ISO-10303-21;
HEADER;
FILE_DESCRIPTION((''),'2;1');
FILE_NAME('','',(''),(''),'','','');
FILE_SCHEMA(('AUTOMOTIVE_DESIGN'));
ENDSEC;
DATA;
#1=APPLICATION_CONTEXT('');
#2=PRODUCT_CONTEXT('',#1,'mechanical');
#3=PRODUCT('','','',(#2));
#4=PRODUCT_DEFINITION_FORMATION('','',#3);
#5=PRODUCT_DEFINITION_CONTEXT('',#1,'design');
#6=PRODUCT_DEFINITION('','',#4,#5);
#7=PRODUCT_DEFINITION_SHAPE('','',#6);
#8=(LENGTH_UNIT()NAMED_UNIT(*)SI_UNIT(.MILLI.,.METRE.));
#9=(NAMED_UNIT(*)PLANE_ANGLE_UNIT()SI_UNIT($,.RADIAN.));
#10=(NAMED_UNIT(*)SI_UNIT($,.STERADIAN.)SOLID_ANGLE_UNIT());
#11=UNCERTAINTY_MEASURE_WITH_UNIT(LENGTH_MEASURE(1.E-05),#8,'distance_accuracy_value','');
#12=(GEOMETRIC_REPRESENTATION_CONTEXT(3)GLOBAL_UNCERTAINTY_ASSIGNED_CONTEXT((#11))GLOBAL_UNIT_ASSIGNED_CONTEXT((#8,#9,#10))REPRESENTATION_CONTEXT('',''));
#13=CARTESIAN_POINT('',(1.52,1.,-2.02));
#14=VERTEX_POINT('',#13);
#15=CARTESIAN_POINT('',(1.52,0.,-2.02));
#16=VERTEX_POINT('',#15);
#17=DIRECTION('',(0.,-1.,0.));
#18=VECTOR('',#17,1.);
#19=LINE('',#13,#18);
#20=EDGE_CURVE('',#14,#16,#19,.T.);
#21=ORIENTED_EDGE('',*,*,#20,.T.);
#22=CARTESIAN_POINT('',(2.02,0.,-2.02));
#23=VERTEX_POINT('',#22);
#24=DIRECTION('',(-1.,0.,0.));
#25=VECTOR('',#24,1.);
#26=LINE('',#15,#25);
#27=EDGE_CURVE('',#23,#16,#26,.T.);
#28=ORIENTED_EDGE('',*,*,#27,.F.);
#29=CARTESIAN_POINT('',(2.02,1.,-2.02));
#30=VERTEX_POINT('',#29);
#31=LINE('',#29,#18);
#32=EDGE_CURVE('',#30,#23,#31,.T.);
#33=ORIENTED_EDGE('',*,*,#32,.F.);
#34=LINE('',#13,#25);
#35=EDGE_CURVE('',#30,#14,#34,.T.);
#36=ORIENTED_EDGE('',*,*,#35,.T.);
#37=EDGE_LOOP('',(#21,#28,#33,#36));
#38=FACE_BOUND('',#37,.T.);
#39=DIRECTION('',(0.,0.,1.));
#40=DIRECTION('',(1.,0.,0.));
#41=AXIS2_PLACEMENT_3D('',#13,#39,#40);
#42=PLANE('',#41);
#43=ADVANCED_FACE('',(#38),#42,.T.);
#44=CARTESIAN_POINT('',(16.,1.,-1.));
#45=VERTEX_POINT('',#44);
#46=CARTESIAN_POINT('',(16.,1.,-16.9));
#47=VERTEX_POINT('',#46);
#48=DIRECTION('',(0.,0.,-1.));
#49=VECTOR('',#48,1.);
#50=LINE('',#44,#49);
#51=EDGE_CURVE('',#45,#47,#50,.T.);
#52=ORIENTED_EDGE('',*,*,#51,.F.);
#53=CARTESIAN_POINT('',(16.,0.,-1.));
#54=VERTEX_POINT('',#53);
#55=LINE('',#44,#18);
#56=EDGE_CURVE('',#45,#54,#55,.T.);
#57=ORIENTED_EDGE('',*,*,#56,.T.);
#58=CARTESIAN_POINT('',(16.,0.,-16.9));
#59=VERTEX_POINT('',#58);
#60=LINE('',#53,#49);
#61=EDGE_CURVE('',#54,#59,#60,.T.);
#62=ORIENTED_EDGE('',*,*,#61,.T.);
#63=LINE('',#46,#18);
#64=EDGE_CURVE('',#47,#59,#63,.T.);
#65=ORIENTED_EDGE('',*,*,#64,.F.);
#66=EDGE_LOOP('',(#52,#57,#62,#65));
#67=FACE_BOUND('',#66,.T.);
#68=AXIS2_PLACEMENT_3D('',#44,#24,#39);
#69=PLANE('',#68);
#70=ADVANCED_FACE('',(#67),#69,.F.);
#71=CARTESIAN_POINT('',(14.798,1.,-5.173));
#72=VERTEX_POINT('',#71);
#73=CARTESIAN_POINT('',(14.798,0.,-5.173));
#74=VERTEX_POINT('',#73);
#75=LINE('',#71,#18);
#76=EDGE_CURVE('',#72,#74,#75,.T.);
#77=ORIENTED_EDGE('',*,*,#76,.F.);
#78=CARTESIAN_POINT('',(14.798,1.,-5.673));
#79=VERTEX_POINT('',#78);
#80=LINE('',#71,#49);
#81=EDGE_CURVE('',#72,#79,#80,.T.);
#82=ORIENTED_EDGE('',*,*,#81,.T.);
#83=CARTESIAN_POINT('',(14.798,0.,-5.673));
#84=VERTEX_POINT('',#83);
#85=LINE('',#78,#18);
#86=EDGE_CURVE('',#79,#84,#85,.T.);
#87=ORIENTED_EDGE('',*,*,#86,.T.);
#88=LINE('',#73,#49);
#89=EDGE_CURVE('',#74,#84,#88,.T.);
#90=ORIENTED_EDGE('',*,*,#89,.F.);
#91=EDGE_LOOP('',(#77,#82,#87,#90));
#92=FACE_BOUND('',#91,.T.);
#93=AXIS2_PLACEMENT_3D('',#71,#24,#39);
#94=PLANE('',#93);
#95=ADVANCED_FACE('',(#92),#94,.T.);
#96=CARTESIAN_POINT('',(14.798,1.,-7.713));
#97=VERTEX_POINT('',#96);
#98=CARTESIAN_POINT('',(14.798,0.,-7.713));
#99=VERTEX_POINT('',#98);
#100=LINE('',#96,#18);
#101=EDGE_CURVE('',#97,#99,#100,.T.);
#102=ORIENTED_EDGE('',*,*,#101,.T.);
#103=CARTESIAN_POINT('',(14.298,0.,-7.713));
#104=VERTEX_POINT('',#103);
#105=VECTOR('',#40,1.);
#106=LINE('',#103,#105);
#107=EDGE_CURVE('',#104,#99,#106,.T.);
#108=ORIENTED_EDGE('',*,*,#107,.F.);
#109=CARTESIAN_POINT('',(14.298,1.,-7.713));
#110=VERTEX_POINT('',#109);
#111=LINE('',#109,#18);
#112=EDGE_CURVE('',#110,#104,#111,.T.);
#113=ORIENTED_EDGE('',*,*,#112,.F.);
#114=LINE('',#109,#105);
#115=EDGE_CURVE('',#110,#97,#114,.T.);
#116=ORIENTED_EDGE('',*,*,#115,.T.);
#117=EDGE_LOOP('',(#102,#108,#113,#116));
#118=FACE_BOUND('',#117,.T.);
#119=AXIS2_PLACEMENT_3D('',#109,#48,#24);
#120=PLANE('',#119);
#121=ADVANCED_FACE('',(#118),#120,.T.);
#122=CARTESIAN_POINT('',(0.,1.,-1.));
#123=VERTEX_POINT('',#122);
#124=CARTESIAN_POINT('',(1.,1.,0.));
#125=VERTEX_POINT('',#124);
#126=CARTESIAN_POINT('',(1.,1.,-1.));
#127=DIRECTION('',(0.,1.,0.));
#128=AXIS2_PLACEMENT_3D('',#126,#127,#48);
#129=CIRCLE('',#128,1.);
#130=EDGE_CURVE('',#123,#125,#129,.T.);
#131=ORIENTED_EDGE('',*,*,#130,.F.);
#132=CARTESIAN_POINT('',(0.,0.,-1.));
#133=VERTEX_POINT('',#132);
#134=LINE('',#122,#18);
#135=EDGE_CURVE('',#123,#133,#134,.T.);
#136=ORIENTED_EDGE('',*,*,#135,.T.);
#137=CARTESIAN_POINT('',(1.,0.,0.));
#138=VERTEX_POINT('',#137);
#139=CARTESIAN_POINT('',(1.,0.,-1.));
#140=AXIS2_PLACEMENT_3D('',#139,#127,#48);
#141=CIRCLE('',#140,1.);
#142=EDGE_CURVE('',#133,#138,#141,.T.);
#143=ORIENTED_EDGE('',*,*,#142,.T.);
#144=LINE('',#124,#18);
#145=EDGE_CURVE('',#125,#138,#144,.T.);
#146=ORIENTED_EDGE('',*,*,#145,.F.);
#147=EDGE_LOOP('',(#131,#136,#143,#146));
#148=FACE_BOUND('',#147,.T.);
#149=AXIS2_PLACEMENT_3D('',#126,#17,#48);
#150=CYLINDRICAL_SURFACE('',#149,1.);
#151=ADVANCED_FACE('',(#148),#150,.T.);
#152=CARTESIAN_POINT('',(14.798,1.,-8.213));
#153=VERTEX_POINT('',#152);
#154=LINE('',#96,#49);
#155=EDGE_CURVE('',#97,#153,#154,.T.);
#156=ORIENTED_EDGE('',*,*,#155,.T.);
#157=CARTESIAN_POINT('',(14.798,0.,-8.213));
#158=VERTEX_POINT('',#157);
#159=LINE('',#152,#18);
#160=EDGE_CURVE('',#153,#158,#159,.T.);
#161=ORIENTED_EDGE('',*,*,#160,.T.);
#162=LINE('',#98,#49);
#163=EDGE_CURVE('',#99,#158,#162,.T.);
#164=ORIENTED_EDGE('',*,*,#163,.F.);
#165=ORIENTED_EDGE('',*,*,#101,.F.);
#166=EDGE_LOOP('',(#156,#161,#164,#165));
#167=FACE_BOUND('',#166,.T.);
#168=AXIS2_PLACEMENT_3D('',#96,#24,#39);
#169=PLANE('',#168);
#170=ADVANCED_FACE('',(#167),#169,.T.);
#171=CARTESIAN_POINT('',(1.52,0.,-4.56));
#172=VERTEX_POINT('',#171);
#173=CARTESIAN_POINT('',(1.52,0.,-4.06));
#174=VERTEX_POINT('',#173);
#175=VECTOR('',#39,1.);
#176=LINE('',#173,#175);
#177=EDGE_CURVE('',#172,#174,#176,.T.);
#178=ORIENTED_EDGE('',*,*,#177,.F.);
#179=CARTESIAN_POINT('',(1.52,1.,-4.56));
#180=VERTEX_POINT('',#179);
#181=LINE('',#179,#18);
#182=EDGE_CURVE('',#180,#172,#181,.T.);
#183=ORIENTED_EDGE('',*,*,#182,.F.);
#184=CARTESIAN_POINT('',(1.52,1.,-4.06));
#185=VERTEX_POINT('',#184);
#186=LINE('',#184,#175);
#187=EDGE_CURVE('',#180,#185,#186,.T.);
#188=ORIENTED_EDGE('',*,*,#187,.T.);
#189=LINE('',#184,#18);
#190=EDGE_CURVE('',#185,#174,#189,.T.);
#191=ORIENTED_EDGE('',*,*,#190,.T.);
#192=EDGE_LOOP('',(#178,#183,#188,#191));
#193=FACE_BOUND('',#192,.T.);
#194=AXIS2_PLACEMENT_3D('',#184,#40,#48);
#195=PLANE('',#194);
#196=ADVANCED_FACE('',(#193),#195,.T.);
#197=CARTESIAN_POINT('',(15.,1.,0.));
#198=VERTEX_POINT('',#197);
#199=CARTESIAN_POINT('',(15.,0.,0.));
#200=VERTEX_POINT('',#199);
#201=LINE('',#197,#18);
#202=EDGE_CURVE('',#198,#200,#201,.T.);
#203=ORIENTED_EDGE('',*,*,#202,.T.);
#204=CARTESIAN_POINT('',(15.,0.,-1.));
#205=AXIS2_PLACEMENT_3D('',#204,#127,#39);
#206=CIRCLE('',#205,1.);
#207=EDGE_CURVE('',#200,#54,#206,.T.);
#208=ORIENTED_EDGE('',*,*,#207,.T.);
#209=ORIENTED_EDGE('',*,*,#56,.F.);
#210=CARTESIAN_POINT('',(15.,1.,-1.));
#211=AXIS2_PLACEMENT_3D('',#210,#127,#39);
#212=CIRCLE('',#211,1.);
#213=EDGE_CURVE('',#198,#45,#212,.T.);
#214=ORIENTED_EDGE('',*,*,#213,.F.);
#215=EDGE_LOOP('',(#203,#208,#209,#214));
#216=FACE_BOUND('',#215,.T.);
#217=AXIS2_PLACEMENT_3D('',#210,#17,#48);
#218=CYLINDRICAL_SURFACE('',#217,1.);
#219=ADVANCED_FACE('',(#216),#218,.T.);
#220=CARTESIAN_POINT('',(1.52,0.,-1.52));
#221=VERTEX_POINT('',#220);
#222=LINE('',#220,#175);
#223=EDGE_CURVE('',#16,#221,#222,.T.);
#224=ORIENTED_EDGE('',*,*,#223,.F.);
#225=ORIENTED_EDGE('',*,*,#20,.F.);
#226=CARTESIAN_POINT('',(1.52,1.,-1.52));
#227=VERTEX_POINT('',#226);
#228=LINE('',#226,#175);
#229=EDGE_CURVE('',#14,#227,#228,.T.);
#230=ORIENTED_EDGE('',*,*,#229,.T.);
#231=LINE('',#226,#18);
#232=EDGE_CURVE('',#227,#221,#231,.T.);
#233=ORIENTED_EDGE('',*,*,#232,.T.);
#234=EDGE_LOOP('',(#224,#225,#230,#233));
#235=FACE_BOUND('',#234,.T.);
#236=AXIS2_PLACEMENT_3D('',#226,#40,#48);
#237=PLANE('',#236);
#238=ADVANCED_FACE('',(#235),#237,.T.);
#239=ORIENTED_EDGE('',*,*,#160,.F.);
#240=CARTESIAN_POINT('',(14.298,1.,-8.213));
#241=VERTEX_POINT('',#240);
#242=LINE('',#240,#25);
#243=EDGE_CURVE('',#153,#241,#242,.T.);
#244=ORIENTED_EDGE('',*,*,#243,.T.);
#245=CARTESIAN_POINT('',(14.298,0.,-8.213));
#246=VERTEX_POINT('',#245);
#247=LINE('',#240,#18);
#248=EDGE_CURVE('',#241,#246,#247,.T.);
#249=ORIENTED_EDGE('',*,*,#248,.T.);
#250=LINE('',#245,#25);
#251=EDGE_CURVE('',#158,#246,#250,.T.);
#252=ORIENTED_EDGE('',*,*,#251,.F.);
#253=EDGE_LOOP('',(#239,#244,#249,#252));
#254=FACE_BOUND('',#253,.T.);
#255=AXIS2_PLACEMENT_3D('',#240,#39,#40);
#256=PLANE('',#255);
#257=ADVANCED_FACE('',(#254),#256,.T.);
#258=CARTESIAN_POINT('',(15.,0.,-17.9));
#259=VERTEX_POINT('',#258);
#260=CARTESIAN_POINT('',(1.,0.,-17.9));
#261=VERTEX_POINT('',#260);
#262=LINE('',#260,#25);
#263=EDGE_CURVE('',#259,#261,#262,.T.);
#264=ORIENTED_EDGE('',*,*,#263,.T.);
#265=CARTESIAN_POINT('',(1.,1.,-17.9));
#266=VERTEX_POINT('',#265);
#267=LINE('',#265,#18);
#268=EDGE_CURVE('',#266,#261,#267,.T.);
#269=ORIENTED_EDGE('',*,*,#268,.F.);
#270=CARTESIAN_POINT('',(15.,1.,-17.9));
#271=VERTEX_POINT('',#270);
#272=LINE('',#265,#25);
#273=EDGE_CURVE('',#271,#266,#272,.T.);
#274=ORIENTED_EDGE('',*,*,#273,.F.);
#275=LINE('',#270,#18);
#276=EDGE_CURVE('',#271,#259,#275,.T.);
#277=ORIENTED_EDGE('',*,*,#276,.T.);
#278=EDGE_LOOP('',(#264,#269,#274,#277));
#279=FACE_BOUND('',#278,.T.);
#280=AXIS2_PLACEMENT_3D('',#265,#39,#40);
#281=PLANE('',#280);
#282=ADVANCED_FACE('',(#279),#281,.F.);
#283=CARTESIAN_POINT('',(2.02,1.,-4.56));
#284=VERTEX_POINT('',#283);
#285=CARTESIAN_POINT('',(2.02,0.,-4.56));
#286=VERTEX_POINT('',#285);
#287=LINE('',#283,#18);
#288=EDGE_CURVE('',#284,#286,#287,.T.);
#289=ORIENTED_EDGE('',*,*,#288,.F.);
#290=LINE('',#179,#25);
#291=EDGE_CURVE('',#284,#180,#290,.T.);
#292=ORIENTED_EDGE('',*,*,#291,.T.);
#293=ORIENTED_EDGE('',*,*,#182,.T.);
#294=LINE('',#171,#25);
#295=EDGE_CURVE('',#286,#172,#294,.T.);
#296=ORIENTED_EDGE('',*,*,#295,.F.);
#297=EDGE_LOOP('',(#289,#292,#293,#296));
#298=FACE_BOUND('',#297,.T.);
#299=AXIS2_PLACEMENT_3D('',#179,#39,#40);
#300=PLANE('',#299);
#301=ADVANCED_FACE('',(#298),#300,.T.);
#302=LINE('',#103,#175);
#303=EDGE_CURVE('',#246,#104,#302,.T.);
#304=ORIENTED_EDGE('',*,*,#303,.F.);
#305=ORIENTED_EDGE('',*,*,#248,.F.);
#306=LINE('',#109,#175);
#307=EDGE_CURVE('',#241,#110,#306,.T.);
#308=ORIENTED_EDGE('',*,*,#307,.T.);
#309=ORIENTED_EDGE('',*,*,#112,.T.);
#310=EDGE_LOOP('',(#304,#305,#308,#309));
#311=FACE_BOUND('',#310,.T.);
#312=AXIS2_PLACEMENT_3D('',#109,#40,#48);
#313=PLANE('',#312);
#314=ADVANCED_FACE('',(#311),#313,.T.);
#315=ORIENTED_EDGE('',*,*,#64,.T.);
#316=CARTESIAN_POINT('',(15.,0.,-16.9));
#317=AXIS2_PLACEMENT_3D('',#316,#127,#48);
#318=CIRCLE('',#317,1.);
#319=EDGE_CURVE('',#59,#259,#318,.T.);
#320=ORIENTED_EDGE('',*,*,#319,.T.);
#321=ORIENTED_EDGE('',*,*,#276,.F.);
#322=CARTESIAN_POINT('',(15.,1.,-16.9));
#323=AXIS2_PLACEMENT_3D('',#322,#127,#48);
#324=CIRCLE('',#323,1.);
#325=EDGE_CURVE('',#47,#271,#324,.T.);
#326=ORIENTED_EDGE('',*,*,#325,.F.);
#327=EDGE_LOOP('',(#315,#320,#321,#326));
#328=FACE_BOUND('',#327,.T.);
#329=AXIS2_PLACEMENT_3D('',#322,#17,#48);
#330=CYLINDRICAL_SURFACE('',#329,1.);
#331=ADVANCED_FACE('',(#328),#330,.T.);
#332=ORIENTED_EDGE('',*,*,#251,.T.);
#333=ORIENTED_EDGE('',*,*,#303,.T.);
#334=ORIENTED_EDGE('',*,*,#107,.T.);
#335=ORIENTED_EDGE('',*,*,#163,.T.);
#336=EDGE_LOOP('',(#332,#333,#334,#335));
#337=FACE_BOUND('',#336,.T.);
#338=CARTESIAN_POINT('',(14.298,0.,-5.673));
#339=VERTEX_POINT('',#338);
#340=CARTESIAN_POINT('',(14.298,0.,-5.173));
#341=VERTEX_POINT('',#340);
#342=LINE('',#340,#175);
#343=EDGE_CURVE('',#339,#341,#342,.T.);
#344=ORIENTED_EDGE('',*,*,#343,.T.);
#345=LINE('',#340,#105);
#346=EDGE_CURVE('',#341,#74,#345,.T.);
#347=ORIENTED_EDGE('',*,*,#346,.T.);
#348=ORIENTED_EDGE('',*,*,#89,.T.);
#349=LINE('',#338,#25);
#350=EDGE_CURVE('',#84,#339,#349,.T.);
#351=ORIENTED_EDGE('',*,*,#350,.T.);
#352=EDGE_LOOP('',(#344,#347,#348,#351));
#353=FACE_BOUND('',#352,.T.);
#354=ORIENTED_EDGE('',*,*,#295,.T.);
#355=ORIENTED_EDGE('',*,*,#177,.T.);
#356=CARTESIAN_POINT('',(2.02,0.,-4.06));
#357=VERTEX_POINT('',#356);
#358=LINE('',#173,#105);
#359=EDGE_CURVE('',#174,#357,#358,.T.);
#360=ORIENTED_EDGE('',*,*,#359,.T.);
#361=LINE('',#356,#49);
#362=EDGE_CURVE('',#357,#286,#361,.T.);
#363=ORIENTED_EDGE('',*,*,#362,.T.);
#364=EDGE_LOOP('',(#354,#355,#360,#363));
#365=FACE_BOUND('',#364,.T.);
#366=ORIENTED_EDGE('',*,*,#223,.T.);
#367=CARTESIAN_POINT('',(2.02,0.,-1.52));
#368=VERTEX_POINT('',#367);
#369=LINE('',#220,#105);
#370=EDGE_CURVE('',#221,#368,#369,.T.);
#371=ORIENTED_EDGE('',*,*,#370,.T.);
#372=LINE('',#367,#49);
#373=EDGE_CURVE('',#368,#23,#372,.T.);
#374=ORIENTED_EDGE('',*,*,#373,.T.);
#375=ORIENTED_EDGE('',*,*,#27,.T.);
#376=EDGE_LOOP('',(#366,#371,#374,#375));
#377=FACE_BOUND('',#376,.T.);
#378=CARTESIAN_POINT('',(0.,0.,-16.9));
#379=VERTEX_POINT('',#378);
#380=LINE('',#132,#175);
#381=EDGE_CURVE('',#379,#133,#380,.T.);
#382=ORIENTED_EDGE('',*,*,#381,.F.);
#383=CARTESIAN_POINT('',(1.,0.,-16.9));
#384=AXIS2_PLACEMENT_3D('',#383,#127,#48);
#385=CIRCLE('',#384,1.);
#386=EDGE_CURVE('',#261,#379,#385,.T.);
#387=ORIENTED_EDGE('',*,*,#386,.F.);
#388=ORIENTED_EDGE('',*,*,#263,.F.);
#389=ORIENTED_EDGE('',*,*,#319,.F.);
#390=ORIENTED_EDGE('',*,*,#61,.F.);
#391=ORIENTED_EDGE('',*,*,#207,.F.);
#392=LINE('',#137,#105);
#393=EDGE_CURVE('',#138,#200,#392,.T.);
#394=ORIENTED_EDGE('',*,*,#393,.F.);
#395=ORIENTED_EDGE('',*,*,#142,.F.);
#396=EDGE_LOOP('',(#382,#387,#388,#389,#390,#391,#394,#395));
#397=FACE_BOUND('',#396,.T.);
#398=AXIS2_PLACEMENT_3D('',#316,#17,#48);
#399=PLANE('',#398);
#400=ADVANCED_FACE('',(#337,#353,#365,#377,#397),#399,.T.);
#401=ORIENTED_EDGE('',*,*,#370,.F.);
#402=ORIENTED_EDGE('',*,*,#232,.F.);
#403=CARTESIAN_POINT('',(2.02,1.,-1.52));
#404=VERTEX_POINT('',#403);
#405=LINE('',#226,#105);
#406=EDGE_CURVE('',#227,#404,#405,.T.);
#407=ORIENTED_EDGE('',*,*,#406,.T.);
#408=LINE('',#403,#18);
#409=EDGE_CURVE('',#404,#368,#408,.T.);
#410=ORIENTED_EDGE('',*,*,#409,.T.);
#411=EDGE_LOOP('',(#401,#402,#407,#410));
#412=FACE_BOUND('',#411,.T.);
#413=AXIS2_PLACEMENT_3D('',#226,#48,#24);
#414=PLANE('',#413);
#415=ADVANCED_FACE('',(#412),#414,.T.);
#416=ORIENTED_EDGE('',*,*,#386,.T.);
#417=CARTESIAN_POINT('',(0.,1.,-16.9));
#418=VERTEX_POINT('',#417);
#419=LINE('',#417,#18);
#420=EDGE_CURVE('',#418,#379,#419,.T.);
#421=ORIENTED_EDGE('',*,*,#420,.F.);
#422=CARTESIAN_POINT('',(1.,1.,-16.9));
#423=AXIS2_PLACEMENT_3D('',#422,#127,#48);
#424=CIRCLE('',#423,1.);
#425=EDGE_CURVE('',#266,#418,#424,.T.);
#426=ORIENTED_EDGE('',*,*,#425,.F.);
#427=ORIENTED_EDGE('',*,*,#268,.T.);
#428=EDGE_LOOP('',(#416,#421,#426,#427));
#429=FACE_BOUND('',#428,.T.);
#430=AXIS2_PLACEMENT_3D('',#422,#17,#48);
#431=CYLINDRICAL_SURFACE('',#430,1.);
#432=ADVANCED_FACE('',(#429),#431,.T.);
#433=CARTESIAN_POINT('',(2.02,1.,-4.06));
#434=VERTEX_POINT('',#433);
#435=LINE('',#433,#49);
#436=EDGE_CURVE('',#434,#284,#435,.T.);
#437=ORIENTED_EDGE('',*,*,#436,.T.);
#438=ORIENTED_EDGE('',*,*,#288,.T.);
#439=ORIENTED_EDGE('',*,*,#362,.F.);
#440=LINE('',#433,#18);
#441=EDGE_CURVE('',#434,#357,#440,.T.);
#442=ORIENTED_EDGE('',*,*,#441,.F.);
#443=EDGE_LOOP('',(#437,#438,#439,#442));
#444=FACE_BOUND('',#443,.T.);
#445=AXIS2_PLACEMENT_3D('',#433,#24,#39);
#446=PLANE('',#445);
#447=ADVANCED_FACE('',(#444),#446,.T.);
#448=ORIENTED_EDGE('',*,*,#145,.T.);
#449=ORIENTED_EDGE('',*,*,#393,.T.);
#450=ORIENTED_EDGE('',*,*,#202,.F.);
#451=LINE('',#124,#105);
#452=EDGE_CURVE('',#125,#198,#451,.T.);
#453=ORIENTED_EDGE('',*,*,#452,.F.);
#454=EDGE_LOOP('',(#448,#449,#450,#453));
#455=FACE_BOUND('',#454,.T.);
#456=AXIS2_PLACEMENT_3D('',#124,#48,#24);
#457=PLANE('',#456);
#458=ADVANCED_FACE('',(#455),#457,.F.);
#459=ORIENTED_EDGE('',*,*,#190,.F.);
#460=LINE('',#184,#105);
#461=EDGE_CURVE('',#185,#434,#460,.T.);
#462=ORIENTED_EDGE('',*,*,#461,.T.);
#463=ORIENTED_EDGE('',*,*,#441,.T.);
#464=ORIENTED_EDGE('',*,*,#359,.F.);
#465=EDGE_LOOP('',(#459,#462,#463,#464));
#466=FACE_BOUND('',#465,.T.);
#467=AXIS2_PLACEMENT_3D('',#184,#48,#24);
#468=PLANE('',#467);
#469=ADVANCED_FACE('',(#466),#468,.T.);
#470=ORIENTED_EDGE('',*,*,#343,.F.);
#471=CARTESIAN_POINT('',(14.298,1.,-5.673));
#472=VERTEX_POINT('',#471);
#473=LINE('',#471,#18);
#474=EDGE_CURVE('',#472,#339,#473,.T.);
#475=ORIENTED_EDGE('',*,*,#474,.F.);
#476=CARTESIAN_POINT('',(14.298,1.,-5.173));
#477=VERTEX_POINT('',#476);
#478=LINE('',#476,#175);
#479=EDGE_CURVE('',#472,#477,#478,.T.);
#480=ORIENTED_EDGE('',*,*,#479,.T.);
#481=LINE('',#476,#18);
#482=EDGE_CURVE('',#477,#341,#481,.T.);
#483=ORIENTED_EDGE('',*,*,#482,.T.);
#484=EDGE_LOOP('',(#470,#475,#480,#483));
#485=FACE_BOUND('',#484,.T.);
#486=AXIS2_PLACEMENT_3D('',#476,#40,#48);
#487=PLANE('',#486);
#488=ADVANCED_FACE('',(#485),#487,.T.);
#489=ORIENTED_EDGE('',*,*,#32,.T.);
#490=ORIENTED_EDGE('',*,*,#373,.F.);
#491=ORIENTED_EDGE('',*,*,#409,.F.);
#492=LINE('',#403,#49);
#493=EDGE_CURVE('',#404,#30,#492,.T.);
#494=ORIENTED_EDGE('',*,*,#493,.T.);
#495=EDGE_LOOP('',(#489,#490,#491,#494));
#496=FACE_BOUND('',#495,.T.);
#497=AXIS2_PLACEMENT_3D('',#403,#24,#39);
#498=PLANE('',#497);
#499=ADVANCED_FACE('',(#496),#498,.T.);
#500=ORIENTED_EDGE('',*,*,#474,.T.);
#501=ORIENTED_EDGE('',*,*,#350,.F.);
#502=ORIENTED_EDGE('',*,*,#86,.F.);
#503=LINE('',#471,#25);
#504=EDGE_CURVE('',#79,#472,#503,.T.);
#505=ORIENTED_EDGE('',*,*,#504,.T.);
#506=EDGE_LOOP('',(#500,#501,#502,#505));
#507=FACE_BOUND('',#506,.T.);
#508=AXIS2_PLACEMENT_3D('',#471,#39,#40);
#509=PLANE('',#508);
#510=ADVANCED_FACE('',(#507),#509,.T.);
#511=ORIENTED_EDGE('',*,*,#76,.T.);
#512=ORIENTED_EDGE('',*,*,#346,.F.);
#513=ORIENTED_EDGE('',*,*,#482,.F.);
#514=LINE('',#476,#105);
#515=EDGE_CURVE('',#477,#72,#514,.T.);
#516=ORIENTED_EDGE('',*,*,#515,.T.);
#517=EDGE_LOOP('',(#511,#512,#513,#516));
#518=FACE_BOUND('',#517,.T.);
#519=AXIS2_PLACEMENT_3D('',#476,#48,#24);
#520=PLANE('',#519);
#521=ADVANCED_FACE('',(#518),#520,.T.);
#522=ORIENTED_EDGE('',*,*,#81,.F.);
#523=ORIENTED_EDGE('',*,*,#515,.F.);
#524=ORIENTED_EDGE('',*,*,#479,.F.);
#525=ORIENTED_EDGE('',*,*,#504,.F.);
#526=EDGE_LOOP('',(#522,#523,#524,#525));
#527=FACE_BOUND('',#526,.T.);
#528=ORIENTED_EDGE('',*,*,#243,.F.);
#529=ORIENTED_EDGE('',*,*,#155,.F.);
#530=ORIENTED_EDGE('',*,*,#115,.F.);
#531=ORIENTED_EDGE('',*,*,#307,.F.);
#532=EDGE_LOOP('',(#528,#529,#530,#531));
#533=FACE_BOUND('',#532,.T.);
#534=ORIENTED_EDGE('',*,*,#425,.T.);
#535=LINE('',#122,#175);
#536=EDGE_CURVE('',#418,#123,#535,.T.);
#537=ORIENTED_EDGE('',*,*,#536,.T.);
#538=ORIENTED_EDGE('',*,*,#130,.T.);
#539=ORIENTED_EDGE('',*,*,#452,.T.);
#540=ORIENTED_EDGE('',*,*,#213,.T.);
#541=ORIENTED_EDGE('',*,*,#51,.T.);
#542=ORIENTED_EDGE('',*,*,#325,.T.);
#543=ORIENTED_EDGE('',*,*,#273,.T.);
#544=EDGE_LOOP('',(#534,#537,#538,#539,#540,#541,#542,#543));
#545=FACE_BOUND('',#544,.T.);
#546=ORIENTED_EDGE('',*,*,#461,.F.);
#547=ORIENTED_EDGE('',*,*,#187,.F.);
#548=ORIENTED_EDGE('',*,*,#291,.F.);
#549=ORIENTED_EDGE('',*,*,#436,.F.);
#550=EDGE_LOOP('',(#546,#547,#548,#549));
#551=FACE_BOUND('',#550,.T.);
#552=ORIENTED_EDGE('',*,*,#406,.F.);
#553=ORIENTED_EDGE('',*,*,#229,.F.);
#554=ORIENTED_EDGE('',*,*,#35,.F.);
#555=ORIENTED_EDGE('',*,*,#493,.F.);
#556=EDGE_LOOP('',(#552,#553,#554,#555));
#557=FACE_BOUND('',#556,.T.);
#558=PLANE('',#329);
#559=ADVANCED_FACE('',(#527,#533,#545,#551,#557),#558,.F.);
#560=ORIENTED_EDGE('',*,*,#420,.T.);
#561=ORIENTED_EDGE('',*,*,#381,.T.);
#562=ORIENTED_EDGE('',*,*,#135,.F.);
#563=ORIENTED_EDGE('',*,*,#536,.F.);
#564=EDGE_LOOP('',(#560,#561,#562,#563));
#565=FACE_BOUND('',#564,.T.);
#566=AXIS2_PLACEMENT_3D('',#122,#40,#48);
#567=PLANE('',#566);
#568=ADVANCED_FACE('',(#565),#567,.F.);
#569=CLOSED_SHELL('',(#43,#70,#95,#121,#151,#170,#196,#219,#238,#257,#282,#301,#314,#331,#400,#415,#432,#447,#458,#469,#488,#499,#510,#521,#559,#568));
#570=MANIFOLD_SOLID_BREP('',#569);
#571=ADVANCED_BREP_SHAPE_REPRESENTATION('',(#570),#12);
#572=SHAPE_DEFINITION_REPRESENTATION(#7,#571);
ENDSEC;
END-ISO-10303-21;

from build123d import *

# Parameters (mm, degrees)
SKETCH1_W           = 0.5
SKETCH1_H           = 0.5
BOSS_EXTRUDE1_DEPTH = 1


with BuildPart() as part:
    # Sketch1 → Boss-Extrude1 (new body)
    with BuildSketch(Plane(origin=(0, 0, 0), x_dir=(1, 0, 0), z_dir=(0, 1, 0))):
        with BuildLine():
            Line((1, 0), (15, 0))
            ThreePointArc((15, 0), (15.707106781, 0.292893219), (16, 1))
            Line((16, 1), (16, 16.9))
            ThreePointArc((16, 16.9), (15.707106781, 17.607106781), (15, 17.9))
            Line((15, 17.9), (1, 17.9))
            ThreePointArc((1, 17.9), (0.292893219, 17.607106781), (0, 16.9))
            Line((0, 16.9), (0, 1))
            ThreePointArc((0, 1), (0.292893219, 0.292893219), (1, 0))
        make_face()
        with Locations((1.77, 1.77)):
            Rectangle(SKETCH1_W, SKETCH1_H, mode=Mode.SUBTRACT)
        with Locations((1.77, 4.31)):
            Rectangle(SKETCH1_W, SKETCH1_H, mode=Mode.SUBTRACT)
        with Locations((14.548, 7.963)):
            Rectangle(SKETCH1_W, SKETCH1_H, mode=Mode.SUBTRACT)
        with Locations((14.548, 5.423)):
            Rectangle(SKETCH1_W, SKETCH1_H, mode=Mode.SUBTRACT)
    extrude(amount=BOSS_EXTRUDE1_DEPTH)


solid = part.part
